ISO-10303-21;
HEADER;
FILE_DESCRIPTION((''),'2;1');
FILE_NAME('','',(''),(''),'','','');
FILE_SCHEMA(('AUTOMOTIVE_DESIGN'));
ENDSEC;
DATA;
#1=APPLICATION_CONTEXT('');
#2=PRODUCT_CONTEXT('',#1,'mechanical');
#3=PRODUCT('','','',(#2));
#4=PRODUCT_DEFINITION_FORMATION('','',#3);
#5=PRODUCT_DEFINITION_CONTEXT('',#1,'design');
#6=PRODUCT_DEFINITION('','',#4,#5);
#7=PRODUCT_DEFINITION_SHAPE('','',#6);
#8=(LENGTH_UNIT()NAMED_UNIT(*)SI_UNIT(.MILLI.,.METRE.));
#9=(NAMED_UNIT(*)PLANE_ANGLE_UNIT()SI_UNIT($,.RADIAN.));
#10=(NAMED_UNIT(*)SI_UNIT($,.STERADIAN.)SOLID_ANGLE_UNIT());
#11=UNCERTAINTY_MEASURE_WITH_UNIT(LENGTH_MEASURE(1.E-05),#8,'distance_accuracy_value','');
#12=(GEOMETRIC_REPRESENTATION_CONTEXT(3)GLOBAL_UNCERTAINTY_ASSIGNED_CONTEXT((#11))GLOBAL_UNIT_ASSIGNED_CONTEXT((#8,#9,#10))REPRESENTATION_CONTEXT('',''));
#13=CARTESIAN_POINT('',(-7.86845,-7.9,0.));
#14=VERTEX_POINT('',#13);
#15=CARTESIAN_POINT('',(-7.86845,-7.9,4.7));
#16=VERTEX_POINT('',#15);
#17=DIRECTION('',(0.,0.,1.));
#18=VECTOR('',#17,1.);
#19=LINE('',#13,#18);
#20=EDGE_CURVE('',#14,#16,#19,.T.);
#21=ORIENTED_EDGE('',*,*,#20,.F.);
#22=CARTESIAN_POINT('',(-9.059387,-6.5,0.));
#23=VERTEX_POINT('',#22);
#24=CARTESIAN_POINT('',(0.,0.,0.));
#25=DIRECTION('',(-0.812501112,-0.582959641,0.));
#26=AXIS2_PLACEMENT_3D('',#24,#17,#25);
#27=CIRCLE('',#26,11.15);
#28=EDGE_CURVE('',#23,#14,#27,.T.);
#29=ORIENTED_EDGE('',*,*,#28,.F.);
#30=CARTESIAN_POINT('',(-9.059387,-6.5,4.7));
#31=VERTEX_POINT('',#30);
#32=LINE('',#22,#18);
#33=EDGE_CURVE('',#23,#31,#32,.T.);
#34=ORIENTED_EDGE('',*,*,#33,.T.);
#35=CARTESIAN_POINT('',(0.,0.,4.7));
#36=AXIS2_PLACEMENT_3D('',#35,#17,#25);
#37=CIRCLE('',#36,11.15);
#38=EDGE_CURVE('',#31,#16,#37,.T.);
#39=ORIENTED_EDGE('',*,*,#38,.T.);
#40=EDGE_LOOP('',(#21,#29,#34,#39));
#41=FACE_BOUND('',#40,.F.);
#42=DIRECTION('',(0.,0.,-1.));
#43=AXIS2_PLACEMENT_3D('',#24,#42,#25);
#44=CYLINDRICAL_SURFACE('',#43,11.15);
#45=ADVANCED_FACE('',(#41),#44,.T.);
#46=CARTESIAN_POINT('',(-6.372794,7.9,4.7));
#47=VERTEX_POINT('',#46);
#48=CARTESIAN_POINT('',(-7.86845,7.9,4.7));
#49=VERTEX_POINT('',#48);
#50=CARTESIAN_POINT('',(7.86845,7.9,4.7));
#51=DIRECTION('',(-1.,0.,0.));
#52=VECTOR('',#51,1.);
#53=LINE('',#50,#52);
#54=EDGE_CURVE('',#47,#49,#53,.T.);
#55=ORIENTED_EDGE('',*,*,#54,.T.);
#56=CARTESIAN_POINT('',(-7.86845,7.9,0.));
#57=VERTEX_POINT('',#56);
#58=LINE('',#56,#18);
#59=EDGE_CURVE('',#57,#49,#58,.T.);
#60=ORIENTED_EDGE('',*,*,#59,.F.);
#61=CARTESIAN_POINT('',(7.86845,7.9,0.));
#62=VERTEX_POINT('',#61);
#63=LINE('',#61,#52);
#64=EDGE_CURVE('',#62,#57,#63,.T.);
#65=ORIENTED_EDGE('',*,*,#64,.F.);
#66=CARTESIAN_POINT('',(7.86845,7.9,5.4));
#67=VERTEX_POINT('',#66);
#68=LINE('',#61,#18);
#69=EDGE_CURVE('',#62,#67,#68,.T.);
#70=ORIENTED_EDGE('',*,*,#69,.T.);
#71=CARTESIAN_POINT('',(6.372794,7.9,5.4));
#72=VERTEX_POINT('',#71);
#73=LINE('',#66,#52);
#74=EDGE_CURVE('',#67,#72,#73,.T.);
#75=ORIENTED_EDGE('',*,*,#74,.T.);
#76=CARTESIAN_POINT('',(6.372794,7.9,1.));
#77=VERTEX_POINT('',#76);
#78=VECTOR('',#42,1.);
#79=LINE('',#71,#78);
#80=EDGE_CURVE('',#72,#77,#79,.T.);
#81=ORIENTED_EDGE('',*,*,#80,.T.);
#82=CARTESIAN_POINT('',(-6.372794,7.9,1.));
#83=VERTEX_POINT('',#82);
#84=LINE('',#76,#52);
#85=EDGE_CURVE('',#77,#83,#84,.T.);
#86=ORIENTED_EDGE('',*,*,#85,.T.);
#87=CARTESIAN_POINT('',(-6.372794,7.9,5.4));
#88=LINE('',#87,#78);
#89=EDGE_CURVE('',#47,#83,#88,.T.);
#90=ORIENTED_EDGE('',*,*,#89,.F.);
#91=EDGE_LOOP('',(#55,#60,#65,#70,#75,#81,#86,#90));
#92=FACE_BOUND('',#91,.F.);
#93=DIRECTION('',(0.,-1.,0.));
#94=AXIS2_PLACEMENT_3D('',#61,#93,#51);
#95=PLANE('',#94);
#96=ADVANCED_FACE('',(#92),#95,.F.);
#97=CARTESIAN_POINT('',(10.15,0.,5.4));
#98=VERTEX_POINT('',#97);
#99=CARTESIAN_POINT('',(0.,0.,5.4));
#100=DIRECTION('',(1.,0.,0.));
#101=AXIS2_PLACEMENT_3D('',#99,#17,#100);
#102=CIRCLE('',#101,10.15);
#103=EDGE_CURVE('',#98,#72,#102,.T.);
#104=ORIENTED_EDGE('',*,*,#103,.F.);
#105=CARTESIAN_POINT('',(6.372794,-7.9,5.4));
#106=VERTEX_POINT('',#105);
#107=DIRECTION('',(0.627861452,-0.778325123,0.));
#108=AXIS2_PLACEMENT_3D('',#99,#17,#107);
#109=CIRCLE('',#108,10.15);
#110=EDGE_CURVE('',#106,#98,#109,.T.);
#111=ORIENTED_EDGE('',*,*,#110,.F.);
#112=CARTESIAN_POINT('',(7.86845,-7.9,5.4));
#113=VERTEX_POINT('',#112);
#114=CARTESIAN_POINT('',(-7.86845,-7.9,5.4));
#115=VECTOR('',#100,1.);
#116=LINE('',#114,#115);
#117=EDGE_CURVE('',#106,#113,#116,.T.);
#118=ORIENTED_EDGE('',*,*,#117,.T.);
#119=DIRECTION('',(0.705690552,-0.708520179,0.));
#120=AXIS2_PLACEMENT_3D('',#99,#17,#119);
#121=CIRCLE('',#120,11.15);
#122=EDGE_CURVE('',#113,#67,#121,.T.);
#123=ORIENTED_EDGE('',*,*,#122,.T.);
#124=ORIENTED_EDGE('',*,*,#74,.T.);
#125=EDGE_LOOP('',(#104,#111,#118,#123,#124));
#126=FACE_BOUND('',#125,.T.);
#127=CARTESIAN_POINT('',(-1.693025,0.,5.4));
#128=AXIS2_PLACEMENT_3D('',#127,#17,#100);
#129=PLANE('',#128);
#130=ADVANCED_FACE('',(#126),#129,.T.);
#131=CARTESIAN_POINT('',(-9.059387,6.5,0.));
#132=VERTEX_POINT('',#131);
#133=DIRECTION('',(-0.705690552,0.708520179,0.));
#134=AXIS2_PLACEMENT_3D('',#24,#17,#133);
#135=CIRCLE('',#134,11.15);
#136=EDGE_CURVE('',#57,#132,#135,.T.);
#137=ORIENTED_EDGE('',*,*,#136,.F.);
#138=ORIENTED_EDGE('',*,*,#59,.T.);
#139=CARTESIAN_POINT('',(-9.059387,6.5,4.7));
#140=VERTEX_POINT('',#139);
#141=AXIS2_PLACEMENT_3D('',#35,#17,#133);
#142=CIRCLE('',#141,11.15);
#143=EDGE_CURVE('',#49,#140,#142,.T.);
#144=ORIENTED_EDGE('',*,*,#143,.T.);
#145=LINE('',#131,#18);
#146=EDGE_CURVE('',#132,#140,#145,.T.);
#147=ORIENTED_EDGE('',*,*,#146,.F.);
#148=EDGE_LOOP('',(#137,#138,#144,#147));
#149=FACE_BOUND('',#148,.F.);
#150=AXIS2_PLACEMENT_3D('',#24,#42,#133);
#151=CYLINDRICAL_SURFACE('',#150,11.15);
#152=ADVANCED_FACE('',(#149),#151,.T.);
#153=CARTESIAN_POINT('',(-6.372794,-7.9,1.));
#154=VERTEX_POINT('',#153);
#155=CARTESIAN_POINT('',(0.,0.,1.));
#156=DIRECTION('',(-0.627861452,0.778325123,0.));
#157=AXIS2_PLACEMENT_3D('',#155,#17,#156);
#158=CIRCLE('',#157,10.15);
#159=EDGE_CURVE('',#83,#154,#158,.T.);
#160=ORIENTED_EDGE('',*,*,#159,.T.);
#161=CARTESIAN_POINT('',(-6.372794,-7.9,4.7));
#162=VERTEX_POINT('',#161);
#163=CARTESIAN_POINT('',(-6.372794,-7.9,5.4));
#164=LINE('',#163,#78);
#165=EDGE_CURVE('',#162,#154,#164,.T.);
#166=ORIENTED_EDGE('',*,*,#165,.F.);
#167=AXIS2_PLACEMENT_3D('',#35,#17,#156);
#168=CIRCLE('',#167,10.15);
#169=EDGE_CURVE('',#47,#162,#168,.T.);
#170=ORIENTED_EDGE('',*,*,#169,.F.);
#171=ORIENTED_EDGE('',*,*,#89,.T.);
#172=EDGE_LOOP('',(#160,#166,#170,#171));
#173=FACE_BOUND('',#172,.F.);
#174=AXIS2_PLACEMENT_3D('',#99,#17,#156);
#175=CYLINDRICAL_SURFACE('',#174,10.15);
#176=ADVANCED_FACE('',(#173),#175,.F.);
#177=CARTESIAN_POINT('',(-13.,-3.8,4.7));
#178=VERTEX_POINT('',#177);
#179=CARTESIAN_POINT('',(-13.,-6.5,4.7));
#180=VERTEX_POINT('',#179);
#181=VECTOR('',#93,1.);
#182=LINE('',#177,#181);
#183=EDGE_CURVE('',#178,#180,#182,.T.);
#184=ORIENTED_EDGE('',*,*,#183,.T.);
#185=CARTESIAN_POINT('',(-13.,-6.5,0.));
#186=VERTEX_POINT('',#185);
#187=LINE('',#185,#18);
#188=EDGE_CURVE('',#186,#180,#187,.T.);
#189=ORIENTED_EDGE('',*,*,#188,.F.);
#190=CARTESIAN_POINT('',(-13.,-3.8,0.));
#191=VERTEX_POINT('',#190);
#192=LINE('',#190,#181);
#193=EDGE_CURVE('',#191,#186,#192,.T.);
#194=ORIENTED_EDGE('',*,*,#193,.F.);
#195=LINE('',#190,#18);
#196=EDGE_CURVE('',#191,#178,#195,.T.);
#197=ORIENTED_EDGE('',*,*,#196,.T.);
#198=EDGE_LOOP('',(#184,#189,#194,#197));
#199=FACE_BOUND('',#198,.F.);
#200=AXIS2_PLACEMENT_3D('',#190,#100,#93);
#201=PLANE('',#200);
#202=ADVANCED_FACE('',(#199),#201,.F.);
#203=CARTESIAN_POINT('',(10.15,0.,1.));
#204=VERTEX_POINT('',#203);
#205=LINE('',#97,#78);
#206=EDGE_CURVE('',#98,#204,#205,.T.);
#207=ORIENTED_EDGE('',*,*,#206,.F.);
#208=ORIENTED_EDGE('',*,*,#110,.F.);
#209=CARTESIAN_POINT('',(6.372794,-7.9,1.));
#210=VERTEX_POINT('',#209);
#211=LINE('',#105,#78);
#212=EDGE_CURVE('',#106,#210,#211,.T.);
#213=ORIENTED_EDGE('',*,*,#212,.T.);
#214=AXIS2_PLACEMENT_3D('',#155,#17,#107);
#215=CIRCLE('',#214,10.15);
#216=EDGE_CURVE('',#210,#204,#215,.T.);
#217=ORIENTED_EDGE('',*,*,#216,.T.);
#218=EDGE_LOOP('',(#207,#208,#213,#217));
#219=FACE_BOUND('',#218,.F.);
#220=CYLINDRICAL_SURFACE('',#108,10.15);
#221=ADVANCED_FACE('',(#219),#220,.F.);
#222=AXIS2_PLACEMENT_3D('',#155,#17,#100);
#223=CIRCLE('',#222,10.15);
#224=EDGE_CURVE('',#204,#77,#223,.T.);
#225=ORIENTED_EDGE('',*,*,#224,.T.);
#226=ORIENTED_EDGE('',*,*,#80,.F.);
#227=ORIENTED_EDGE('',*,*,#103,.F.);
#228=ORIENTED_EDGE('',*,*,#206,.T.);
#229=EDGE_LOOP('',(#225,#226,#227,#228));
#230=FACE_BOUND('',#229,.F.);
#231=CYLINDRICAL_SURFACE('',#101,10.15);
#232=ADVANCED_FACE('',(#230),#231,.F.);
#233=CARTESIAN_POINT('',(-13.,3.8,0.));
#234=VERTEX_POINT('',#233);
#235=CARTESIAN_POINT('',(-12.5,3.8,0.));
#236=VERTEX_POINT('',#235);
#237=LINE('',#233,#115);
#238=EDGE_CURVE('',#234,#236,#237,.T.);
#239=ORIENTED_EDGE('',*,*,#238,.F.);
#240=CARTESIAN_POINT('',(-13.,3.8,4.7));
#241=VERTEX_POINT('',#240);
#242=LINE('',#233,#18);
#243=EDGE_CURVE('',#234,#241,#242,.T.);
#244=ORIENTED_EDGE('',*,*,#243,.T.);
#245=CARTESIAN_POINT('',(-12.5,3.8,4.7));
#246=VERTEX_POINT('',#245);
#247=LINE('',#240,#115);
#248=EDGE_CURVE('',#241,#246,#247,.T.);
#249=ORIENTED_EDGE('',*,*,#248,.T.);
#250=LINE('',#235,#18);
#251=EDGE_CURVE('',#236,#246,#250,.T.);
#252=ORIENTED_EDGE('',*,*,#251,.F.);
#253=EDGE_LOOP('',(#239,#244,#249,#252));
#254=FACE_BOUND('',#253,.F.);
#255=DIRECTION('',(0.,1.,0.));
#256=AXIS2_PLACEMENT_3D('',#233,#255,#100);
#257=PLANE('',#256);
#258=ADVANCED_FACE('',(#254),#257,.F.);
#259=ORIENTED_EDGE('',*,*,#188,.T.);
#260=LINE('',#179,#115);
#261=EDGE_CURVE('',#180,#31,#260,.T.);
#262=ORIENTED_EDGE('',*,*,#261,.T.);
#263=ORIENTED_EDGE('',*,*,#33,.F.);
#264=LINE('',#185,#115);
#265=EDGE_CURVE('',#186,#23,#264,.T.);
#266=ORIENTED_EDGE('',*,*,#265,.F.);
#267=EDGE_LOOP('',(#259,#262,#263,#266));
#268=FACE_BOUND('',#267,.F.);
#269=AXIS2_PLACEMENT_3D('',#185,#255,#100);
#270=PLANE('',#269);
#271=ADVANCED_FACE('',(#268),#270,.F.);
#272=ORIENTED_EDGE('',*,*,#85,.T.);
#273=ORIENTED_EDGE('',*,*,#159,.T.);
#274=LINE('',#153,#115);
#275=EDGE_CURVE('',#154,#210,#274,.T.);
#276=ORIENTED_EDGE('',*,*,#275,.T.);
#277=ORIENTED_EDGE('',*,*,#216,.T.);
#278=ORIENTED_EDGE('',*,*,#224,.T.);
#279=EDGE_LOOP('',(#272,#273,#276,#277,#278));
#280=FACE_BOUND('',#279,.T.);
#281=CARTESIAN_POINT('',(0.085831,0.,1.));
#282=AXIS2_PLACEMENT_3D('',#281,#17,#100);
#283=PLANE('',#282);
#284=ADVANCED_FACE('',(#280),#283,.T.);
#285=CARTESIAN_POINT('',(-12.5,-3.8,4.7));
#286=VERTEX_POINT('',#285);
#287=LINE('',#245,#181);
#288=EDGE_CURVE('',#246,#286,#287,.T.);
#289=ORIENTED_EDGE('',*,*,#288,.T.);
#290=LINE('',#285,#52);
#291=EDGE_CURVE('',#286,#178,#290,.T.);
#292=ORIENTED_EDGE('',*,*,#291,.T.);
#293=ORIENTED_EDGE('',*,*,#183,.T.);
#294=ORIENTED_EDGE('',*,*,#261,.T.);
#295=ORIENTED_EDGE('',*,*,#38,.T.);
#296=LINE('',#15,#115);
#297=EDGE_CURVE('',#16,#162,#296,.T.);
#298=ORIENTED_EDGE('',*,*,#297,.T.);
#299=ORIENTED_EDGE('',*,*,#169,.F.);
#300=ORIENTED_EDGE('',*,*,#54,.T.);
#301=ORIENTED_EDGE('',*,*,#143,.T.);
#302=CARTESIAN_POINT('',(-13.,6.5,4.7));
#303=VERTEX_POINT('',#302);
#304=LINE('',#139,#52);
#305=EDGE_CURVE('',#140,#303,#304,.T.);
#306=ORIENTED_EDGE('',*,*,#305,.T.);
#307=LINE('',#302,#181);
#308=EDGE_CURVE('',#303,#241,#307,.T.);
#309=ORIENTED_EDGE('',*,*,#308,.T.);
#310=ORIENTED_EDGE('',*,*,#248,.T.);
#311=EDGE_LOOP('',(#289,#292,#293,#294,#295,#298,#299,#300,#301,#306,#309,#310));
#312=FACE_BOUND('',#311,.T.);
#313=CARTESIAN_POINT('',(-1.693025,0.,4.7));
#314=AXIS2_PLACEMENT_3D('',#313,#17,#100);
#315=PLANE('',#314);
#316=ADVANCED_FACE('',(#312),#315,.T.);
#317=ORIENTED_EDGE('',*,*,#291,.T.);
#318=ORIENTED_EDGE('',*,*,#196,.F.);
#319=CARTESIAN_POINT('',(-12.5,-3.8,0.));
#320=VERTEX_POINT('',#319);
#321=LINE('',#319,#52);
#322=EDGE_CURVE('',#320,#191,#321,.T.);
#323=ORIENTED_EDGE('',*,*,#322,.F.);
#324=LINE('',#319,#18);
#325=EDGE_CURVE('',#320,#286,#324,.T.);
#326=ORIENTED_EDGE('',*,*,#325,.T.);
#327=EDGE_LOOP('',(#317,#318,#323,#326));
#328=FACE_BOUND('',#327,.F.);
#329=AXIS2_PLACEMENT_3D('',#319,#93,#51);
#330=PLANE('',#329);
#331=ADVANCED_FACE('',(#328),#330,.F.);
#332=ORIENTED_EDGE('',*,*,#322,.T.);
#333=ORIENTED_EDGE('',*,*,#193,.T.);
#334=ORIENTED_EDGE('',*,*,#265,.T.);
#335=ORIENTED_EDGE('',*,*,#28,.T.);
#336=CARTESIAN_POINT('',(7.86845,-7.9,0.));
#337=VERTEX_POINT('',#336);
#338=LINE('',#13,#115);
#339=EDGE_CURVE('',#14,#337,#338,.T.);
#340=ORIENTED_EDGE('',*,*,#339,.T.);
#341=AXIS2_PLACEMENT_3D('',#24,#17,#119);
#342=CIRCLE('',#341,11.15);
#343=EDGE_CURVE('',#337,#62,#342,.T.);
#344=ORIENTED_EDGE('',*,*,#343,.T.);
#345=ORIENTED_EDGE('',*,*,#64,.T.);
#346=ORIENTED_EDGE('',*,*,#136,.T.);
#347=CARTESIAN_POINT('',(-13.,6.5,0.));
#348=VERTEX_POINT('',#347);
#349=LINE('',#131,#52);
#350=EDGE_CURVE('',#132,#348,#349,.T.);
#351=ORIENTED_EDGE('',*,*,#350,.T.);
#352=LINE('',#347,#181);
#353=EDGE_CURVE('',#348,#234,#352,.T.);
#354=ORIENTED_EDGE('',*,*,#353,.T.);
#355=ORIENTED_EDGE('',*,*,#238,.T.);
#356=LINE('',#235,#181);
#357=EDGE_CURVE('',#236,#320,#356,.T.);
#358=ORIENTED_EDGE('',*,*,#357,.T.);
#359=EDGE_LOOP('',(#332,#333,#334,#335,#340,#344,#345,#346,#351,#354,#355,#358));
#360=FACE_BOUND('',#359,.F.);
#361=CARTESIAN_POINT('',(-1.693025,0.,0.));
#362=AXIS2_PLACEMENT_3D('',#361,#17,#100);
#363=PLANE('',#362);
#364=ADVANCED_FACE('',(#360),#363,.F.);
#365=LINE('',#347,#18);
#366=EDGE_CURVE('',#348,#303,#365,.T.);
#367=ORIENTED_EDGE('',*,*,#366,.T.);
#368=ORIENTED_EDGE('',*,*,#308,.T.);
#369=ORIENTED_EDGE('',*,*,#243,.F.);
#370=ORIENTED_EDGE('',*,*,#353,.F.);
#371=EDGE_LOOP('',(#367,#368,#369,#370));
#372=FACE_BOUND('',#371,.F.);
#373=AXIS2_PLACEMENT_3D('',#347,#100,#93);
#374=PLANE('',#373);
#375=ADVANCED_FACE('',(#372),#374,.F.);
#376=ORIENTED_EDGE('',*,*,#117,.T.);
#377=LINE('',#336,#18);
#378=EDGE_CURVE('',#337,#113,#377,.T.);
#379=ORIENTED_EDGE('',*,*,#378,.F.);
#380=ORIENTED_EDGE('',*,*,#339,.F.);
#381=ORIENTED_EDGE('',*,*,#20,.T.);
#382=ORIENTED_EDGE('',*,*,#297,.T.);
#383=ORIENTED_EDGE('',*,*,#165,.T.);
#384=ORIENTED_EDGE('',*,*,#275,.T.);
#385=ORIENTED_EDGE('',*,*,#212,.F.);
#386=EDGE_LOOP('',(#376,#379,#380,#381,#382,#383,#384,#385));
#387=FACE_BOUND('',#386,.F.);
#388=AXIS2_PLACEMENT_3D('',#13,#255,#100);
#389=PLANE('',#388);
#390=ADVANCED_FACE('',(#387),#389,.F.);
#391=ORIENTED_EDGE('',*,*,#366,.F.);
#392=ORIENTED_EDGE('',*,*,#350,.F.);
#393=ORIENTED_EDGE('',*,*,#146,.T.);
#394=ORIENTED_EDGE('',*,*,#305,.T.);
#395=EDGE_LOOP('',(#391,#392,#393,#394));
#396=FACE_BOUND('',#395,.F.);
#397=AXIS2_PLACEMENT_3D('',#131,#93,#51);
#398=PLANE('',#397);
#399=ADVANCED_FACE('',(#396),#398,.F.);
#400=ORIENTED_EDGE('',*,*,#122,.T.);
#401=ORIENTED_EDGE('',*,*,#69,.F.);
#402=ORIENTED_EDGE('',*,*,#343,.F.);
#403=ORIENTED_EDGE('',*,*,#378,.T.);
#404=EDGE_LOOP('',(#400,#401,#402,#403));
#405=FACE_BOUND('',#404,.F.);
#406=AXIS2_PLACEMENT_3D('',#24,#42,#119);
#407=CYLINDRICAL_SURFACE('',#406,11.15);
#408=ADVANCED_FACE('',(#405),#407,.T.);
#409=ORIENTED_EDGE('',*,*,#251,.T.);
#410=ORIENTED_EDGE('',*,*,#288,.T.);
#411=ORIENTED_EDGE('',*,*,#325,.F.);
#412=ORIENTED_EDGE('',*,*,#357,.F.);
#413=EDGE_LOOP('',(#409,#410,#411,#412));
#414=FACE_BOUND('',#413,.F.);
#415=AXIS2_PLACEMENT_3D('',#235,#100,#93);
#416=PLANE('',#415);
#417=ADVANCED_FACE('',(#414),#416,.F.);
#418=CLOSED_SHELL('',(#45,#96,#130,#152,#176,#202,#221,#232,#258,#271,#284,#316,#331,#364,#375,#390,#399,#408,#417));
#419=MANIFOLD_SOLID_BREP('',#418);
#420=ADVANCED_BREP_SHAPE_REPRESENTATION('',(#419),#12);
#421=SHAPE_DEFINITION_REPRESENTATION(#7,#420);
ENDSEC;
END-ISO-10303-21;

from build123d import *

# Parameters (mm, degrees)
F1_DEPTH = 5.4
F3_DEPTH = 4.4
F4_DEPTH = 0.7


with BuildPart() as f1:
    # F0 (on Top) → F1 (new body)
    with BuildSketch(Plane.XY):
        with BuildLine():
            Line((-13, -6.5), (-9.0593873965, -6.5))
            ThreePointArc((-9.0593873965, -6.5), (-8.4928156006, -7.2245818685), (-7.8684496567, -7.9))
            Line((-7.8684496567, -7.9), (7.8684496567, -7.9))
            ThreePointArc((7.8684496567, -7.9), (11.15, 0), (7.8684496567, 7.9))
            Line((7.8684496567, 7.9), (-7.8684496567, 7.9))
            ThreePointArc((-7.8684496567, 7.9), (-8.4928156006, 7.2245818685), (-9.0593873965, 6.5))
            Line((-9.0593873965, 6.5), (-13, 6.5))
            Line((-13, 6.5), (-13, 3.8))
            Line((-13, 3.8), (-12.5, 3.8))
            Line((-12.5, 3.8), (-12.5, -3.8))
            Line((-12.5, -3.8), (-13, -3.8))
            Line((-13, -3.8), (-13, -6.5))
        make_face()
    extrude(amount=F1_DEPTH)

    # F2 (on face) → F3 (cut)
    with BuildSketch(Plane.XY.offset(5.4)):
        with BuildLine():
            ThreePointArc((6.3727937359, -7.9), (9.1571381015, -4.3782784049), (10.15, 0))
            ThreePointArc((10.15, 0), (9.1571381015, 4.3782784049), (6.3727937359, 7.9))
            Line((6.3727937359, 7.9), (-6.3727937359, 7.9))
            ThreePointArc((-6.3727937359, 7.9), (-10.15, 0), (-6.3727937359, -7.9))
            Line((-6.3727937359, -7.9), (6.3727937359, -7.9))
        make_face()
    extrude(amount=-F3_DEPTH, mode=Mode.SUBTRACT)

    # F4 (cut): a face of the model
    f4_faces = [f1.faces().sort_by_distance(p)[0] for p in [
        (-10.7326109912, 0, 5.4),
    ]]
    extrude(f4_faces, amount=-F4_DEPTH, mode=Mode.SUBTRACT)


solid = f1.part
